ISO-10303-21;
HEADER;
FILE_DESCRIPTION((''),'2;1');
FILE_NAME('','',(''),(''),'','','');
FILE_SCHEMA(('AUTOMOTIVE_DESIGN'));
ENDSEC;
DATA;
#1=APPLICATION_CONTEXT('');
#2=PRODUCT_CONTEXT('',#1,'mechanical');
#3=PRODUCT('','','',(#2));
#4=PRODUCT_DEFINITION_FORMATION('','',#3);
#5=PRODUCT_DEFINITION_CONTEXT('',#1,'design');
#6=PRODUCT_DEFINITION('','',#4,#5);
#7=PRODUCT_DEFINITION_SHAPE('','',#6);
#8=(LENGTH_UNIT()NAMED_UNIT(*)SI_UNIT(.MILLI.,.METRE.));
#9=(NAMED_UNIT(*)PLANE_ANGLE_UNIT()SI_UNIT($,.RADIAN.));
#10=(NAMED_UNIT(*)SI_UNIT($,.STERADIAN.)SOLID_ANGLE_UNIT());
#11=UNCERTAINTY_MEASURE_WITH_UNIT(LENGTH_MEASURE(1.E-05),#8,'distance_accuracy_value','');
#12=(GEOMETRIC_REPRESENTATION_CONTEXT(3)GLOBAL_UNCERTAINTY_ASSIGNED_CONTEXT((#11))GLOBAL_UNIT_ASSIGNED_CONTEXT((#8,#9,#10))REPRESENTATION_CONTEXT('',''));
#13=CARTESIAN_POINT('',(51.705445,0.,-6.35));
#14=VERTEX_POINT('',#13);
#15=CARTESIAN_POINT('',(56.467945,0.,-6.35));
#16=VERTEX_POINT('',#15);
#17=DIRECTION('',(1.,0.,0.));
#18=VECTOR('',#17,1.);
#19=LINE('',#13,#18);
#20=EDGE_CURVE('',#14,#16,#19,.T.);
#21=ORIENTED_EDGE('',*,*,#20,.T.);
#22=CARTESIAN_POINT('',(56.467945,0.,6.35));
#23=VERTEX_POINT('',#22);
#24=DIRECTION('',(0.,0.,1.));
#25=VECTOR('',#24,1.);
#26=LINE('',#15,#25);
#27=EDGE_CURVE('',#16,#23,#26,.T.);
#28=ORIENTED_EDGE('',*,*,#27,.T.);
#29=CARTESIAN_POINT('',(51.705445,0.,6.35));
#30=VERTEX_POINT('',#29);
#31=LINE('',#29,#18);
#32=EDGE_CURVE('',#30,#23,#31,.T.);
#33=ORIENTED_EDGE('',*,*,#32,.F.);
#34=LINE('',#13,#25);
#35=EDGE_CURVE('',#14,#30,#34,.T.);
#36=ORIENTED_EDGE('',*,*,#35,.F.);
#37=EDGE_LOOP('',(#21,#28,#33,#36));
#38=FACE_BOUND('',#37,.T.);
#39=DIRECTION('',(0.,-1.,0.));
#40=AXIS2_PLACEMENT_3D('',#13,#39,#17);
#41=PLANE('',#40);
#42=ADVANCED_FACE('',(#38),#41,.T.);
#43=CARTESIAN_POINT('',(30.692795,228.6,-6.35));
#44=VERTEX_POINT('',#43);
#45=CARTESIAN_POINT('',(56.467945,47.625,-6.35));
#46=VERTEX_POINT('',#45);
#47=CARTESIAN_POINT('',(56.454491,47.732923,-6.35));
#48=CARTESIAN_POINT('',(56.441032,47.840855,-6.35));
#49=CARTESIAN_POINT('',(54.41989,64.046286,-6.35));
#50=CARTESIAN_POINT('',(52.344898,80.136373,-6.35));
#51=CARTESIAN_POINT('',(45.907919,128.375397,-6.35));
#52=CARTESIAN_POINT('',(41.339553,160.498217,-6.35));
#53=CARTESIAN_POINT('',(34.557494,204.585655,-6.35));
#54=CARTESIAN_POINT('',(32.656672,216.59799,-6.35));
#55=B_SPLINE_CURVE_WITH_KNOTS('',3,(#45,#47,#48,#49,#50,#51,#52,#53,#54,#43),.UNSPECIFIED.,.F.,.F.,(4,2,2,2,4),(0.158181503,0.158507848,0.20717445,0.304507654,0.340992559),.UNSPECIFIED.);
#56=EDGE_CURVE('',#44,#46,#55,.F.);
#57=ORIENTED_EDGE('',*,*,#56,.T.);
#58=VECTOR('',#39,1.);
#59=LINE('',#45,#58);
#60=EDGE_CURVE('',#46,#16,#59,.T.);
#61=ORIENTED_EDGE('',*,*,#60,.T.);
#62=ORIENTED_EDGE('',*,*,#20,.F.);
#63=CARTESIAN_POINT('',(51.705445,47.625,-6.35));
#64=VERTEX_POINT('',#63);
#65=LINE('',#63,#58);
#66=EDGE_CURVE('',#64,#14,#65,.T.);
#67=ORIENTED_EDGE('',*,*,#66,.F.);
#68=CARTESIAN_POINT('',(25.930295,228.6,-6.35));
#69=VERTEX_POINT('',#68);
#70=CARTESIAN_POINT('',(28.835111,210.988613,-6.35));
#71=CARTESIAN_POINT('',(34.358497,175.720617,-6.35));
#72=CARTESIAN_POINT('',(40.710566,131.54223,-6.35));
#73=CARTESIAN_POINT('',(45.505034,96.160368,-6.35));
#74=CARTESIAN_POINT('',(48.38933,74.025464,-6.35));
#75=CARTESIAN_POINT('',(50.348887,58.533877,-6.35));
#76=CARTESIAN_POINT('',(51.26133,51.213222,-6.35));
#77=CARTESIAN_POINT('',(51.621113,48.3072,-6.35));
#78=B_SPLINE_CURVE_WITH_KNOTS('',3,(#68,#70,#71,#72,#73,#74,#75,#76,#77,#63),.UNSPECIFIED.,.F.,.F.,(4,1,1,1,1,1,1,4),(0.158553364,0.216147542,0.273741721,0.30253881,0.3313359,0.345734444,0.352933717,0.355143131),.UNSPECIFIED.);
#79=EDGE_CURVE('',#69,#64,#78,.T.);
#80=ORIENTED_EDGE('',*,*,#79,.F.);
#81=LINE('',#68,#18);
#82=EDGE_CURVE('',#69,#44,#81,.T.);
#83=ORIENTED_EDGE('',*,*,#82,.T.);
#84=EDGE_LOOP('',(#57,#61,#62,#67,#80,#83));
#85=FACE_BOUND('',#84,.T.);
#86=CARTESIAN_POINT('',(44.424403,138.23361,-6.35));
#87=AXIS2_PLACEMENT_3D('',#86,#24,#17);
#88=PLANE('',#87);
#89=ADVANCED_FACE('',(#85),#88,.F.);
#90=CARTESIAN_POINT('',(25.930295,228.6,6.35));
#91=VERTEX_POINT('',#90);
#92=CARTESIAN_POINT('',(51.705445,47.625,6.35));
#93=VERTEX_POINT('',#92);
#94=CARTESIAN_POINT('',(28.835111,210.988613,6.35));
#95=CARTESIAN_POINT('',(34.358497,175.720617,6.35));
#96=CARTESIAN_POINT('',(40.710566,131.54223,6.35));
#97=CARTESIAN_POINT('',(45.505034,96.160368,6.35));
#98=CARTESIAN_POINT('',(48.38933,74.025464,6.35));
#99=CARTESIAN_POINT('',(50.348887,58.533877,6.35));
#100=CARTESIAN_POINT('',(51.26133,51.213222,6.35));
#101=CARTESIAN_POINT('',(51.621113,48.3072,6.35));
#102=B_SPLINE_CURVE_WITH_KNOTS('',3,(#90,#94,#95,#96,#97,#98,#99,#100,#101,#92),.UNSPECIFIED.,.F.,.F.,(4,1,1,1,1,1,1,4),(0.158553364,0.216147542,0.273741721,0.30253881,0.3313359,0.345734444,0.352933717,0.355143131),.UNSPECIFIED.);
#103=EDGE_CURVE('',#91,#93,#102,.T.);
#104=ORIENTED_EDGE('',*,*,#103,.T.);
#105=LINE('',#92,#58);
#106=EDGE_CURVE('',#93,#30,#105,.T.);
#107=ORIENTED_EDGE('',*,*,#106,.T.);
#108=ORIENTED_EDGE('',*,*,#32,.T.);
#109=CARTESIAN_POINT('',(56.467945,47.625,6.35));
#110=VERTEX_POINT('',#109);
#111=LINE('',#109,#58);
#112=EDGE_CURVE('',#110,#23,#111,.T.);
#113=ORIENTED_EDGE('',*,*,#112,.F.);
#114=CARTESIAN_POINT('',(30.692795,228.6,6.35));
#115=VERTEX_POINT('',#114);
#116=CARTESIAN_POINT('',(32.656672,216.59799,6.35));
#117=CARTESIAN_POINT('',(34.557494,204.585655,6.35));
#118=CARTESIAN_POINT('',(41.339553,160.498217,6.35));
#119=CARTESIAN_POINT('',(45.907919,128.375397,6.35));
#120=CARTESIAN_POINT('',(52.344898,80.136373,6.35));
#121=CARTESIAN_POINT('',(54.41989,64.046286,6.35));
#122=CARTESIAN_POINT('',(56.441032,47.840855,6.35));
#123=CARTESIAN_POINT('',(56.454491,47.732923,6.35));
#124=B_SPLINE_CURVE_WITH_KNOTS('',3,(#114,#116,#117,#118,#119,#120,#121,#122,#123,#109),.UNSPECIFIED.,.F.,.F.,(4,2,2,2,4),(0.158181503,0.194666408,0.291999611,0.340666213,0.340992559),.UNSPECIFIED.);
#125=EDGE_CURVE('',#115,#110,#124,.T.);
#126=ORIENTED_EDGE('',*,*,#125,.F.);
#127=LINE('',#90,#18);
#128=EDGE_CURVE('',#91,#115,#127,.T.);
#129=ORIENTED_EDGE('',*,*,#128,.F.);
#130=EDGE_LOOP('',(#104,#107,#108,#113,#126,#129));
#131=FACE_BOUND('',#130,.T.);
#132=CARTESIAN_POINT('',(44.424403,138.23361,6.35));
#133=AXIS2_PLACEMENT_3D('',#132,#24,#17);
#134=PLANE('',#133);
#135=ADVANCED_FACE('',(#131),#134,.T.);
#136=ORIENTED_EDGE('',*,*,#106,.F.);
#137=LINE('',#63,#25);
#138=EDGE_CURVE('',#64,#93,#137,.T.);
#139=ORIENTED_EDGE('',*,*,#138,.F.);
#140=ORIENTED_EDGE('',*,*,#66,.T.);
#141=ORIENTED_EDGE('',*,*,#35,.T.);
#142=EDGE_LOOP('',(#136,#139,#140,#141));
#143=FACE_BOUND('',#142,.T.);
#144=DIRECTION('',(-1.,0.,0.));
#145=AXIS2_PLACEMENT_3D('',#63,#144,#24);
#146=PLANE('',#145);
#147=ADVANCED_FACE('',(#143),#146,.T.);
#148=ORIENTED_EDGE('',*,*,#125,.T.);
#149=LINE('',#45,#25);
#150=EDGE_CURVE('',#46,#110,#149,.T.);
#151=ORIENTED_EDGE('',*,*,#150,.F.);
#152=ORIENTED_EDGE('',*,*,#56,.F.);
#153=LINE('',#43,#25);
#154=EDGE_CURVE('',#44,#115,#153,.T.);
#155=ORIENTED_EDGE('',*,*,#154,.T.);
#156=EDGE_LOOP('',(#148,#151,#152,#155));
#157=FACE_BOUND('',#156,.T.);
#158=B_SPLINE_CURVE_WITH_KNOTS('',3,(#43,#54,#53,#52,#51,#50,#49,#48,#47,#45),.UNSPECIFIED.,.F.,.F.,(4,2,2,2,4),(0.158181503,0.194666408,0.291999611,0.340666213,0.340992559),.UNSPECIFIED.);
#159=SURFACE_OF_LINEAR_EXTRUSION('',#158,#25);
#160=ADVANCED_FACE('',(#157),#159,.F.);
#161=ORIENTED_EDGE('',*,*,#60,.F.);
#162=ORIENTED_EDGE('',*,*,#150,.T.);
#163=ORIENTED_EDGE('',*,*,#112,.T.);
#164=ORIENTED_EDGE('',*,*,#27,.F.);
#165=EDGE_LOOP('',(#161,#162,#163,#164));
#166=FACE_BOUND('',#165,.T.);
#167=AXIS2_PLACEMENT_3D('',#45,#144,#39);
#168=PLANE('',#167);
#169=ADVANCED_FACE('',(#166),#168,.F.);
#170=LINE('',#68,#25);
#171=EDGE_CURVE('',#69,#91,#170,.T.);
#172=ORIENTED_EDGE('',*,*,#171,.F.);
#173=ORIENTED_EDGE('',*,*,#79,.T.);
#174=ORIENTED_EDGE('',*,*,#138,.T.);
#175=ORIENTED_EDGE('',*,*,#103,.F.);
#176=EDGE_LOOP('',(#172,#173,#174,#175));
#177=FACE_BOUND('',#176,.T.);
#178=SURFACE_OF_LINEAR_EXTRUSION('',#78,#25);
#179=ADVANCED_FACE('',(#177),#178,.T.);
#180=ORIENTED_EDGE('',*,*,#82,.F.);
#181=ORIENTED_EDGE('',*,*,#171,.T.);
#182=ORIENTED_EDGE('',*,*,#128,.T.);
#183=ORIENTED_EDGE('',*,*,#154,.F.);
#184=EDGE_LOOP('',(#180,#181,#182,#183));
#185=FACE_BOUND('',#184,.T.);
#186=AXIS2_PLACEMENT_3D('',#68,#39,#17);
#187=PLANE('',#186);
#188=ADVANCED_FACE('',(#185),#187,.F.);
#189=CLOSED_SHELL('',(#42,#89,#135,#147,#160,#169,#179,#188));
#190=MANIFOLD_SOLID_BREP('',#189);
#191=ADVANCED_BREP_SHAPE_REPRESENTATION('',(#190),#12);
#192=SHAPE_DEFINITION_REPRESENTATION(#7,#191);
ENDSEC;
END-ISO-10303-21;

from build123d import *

# Parameters (mm, degrees)
BOSS_EXTRUDE1_DEPTH      = 6.35
BOSS_EXTRUDE1_DEPTH_BACK = 6.35


with BuildPart() as part:
    # Sketch3 → Boss-Extrude1 (new, two sides: drawn at the far end of the back side and taken through both)
    with BuildSketch(Plane.XY.offset(-BOSS_EXTRUDE1_DEPTH_BACK)):
        with BuildLine():
            Line((25.930295497, 228.6), (30.692795497, 228.6))
            add(Edge.make_bspline(
                [(30.692795497, 228.6), (32.656671965, 216.59798975), (34.557493546, 204.585654572), (41.339553497, 160.498217254), (45.907919412, 128.375397263), (52.344898005, 80.136373161), (54.419889898, 64.046285851), (56.441032457, 47.840855492), (56.454490883, 47.732922744), (56.467945104, 47.625)],
                knots=[0.158181503, 0.158181503, 0.158181503, 0.158181503, 0.194666408, 0.194666408, 0.291999611, 0.291999611, 0.340666213, 0.340666213, 0.340992559, 0.340992559, 0.340992559, 0.340992559], degree=3))
            Line((56.467945104, 47.625), (56.467945104, 0))
            Line((56.467945104, 0), (51.705445104, 0))
            Line((51.705445104, 0), (51.705445104, 47.625))
            add(Edge.make_bspline(
                [(25.930295497, 228.6), (28.835110587, 210.988612906), (34.358497112, 175.720617461), (40.71056634, 131.542229957), (45.5050338, 96.160367974), (48.389330035, 74.025463782), (50.34888675, 58.533876957), (51.261329801, 51.213221833), (51.621113082, 48.307200473), (51.705445104, 47.625)],
                knots=[0.158553364, 0.158553364, 0.158553364, 0.158553364, 0.216147542, 0.273741721, 0.30253881, 0.3313359, 0.345734444, 0.352933717, 0.355143131, 0.355143131, 0.355143131, 0.355143131], degree=3))
        make_face()
    extrude(amount=BOSS_EXTRUDE1_DEPTH + BOSS_EXTRUDE1_DEPTH_BACK)


solid = part.part
